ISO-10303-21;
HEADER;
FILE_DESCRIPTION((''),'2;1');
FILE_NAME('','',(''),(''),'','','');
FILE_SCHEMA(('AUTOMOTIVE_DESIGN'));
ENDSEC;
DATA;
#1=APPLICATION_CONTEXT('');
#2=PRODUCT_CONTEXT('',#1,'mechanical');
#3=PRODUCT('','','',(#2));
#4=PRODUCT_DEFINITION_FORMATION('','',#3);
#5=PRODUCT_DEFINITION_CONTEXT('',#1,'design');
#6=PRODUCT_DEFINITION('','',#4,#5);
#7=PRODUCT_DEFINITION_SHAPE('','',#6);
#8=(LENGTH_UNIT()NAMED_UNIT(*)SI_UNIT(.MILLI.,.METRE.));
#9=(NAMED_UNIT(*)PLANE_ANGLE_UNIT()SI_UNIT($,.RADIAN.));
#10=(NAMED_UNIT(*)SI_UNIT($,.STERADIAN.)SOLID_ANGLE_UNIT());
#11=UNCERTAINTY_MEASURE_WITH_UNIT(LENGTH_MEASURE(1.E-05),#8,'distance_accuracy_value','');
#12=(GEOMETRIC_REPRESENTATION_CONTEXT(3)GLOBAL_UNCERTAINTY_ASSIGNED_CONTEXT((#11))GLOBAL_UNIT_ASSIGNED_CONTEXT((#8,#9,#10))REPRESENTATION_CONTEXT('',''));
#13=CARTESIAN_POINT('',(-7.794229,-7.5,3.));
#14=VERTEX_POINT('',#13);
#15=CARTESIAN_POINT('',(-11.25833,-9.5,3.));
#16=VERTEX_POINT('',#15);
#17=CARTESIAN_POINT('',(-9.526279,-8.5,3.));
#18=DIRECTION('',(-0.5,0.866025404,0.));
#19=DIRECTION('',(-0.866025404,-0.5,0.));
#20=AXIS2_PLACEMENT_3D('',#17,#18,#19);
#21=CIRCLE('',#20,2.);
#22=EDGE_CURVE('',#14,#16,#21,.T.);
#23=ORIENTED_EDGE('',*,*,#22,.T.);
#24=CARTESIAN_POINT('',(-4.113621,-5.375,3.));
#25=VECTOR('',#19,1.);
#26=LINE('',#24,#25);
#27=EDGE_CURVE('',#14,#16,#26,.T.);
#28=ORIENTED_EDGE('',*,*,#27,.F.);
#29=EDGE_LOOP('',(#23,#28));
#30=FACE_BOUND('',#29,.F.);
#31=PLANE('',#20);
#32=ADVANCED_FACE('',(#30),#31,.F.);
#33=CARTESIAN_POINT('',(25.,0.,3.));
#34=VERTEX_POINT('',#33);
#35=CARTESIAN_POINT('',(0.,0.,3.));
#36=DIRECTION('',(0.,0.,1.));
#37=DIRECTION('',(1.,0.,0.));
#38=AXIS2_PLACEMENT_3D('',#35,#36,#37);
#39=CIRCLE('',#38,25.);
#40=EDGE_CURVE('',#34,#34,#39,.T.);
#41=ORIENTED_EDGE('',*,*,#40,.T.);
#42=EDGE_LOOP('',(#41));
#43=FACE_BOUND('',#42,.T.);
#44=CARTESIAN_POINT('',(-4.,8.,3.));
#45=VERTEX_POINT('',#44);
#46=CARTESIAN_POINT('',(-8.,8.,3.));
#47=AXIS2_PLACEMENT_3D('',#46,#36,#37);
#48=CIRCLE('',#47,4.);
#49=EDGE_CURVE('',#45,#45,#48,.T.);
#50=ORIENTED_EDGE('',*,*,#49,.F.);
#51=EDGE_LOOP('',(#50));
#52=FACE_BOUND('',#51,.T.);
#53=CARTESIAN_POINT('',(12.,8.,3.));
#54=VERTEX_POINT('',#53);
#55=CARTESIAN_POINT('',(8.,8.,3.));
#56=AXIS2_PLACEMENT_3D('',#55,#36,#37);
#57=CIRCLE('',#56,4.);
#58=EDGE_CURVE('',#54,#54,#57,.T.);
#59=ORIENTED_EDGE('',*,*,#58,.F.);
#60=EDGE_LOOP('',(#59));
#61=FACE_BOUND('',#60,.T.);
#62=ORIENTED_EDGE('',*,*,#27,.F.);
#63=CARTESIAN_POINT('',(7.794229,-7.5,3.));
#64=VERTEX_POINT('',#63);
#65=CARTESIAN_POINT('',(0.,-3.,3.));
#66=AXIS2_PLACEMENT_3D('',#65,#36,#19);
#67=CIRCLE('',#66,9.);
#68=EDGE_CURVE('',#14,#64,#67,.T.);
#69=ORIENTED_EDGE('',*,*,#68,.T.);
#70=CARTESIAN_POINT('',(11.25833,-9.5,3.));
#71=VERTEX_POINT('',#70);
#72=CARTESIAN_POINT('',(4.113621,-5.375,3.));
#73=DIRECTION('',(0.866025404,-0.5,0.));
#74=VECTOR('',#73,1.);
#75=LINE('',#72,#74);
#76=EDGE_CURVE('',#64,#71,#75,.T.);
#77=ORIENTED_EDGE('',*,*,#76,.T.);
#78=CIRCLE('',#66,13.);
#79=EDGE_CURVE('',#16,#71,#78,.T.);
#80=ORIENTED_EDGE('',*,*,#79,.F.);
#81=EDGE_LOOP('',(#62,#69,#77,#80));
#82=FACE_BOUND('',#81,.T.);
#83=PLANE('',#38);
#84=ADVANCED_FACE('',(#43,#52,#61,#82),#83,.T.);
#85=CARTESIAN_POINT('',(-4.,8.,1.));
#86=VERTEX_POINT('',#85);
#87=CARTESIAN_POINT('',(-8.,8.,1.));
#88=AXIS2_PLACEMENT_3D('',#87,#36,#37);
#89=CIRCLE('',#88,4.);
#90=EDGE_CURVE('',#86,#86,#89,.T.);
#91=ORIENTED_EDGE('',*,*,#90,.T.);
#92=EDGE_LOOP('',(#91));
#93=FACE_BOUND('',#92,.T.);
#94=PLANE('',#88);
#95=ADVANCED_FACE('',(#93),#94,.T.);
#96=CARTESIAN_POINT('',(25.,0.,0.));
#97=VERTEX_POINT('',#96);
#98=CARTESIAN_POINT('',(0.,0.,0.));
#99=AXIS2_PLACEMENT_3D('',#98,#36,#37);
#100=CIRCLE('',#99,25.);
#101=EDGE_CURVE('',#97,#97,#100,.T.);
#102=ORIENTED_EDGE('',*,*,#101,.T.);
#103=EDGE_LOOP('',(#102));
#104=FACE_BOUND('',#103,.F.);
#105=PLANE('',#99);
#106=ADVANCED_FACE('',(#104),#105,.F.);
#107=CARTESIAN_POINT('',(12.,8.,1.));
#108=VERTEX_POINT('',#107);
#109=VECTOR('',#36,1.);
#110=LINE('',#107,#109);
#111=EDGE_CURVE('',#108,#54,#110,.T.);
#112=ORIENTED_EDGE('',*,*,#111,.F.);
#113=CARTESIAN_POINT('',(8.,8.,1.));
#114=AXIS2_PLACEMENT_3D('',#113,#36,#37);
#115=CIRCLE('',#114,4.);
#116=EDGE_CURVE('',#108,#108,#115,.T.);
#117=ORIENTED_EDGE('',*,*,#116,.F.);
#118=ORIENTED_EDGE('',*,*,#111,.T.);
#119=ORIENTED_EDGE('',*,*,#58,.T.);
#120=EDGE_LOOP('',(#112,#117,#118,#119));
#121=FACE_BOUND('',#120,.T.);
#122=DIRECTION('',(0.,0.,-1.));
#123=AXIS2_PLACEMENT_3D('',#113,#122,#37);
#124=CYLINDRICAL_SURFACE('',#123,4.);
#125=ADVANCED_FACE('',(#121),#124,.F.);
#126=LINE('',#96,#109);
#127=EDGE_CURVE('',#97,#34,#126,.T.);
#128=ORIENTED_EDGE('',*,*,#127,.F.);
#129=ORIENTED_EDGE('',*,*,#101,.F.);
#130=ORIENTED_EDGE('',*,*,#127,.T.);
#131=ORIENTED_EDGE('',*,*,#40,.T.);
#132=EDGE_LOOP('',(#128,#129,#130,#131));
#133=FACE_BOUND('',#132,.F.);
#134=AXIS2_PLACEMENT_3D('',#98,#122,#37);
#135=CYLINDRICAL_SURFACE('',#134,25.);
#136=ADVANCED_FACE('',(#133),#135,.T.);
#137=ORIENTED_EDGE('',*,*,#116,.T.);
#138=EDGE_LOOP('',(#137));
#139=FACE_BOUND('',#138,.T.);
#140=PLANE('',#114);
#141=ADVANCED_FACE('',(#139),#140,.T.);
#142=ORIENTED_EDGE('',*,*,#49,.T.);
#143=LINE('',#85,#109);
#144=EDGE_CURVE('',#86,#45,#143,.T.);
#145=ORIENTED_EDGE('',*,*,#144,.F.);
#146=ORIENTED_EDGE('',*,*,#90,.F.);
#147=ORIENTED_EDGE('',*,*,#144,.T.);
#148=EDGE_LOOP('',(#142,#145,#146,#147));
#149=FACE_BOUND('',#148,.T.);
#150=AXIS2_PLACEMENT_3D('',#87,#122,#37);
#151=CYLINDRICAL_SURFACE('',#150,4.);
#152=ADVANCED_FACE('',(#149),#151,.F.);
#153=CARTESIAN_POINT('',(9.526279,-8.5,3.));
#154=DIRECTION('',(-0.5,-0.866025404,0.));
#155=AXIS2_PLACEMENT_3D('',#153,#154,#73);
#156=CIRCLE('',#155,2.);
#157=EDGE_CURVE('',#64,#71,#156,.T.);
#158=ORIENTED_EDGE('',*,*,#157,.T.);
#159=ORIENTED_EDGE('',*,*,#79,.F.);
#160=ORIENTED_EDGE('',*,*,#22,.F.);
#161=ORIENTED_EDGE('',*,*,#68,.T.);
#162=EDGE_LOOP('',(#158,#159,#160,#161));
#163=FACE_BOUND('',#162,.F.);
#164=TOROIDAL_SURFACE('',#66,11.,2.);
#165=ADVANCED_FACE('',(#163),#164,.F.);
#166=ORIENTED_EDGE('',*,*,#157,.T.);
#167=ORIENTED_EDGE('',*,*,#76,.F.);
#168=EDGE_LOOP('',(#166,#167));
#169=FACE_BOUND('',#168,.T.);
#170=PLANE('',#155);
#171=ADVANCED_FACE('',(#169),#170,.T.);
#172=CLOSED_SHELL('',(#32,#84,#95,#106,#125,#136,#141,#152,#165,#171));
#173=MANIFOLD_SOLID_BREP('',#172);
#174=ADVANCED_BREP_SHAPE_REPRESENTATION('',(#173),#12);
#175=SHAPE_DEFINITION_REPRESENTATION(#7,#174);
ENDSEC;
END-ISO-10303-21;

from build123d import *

# Parameters (mm, degrees)
CYLINDER001_R         = 4
CYLINDER001_DEPTH     = 2
CYLINDER002_R         = 4
CYLINDER002_DEPTH     = 2
TORUS_R               = 2
TORUS_ANGLE           = 120
TORUS_PLACEMENT_ANGLE = 210
CYLINDER_R            = 25
CYLINDER_DEPTH        = 3


with BuildPart() as cylinder001:
    # Cylinder001 → Cylinder001 (new body)
    with BuildSketch(Plane(origin=(8, 0, 1), x_dir=(1, 0, 0), z_dir=(0, 0, 1))):
        Circle(CYLINDER001_R)
    extrude(amount=CYLINDER001_DEPTH)


with BuildPart() as fusion:
    # Cylinder002 → Cylinder002 (new body)
    with BuildSketch(Plane(origin=(-8, 0, 1), x_dir=(1, 0, 0), z_dir=(0, 0, 1))):
        Circle(CYLINDER002_R)
    extrude(amount=CYLINDER002_DEPTH)

    # Fusion: union Cylinder001
    add(cylinder001.part)


with BuildPart() as fusion_1:
    # Fusion placement: moved
    add(fusion.part.moved(Location((0, 8, 0))))


with BuildPart() as fusion001:
    # Torus → Torus (revolve)
    with BuildSketch(Plane.XZ):
        with Locations((11, 0)):
            Circle(TORUS_R)
    revolve(axis=Axis((0, 0, 0), (0, 0, 1)), revolution_arc=TORUS_ANGLE)


with BuildPart() as fusion001_1:
    # Torus placement: moved
    add(fusion001.part.moved(Location((0, -3, 3))).rotate(Axis((0, -3, 3), (0, 0, 1)), TORUS_PLACEMENT_ANGLE))

    # Fusion001: union Fusion
    add(fusion_1.part)


with BuildPart() as cut:
    # Cylinder → Cylinder (new body)
    with BuildSketch(Plane.XY):
        Circle(CYLINDER_R)
    extrude(amount=CYLINDER_DEPTH)

    # Cut: cut Fusion001
    add(fusion001_1.part, mode=Mode.SUBTRACT)


solid = cut.part
